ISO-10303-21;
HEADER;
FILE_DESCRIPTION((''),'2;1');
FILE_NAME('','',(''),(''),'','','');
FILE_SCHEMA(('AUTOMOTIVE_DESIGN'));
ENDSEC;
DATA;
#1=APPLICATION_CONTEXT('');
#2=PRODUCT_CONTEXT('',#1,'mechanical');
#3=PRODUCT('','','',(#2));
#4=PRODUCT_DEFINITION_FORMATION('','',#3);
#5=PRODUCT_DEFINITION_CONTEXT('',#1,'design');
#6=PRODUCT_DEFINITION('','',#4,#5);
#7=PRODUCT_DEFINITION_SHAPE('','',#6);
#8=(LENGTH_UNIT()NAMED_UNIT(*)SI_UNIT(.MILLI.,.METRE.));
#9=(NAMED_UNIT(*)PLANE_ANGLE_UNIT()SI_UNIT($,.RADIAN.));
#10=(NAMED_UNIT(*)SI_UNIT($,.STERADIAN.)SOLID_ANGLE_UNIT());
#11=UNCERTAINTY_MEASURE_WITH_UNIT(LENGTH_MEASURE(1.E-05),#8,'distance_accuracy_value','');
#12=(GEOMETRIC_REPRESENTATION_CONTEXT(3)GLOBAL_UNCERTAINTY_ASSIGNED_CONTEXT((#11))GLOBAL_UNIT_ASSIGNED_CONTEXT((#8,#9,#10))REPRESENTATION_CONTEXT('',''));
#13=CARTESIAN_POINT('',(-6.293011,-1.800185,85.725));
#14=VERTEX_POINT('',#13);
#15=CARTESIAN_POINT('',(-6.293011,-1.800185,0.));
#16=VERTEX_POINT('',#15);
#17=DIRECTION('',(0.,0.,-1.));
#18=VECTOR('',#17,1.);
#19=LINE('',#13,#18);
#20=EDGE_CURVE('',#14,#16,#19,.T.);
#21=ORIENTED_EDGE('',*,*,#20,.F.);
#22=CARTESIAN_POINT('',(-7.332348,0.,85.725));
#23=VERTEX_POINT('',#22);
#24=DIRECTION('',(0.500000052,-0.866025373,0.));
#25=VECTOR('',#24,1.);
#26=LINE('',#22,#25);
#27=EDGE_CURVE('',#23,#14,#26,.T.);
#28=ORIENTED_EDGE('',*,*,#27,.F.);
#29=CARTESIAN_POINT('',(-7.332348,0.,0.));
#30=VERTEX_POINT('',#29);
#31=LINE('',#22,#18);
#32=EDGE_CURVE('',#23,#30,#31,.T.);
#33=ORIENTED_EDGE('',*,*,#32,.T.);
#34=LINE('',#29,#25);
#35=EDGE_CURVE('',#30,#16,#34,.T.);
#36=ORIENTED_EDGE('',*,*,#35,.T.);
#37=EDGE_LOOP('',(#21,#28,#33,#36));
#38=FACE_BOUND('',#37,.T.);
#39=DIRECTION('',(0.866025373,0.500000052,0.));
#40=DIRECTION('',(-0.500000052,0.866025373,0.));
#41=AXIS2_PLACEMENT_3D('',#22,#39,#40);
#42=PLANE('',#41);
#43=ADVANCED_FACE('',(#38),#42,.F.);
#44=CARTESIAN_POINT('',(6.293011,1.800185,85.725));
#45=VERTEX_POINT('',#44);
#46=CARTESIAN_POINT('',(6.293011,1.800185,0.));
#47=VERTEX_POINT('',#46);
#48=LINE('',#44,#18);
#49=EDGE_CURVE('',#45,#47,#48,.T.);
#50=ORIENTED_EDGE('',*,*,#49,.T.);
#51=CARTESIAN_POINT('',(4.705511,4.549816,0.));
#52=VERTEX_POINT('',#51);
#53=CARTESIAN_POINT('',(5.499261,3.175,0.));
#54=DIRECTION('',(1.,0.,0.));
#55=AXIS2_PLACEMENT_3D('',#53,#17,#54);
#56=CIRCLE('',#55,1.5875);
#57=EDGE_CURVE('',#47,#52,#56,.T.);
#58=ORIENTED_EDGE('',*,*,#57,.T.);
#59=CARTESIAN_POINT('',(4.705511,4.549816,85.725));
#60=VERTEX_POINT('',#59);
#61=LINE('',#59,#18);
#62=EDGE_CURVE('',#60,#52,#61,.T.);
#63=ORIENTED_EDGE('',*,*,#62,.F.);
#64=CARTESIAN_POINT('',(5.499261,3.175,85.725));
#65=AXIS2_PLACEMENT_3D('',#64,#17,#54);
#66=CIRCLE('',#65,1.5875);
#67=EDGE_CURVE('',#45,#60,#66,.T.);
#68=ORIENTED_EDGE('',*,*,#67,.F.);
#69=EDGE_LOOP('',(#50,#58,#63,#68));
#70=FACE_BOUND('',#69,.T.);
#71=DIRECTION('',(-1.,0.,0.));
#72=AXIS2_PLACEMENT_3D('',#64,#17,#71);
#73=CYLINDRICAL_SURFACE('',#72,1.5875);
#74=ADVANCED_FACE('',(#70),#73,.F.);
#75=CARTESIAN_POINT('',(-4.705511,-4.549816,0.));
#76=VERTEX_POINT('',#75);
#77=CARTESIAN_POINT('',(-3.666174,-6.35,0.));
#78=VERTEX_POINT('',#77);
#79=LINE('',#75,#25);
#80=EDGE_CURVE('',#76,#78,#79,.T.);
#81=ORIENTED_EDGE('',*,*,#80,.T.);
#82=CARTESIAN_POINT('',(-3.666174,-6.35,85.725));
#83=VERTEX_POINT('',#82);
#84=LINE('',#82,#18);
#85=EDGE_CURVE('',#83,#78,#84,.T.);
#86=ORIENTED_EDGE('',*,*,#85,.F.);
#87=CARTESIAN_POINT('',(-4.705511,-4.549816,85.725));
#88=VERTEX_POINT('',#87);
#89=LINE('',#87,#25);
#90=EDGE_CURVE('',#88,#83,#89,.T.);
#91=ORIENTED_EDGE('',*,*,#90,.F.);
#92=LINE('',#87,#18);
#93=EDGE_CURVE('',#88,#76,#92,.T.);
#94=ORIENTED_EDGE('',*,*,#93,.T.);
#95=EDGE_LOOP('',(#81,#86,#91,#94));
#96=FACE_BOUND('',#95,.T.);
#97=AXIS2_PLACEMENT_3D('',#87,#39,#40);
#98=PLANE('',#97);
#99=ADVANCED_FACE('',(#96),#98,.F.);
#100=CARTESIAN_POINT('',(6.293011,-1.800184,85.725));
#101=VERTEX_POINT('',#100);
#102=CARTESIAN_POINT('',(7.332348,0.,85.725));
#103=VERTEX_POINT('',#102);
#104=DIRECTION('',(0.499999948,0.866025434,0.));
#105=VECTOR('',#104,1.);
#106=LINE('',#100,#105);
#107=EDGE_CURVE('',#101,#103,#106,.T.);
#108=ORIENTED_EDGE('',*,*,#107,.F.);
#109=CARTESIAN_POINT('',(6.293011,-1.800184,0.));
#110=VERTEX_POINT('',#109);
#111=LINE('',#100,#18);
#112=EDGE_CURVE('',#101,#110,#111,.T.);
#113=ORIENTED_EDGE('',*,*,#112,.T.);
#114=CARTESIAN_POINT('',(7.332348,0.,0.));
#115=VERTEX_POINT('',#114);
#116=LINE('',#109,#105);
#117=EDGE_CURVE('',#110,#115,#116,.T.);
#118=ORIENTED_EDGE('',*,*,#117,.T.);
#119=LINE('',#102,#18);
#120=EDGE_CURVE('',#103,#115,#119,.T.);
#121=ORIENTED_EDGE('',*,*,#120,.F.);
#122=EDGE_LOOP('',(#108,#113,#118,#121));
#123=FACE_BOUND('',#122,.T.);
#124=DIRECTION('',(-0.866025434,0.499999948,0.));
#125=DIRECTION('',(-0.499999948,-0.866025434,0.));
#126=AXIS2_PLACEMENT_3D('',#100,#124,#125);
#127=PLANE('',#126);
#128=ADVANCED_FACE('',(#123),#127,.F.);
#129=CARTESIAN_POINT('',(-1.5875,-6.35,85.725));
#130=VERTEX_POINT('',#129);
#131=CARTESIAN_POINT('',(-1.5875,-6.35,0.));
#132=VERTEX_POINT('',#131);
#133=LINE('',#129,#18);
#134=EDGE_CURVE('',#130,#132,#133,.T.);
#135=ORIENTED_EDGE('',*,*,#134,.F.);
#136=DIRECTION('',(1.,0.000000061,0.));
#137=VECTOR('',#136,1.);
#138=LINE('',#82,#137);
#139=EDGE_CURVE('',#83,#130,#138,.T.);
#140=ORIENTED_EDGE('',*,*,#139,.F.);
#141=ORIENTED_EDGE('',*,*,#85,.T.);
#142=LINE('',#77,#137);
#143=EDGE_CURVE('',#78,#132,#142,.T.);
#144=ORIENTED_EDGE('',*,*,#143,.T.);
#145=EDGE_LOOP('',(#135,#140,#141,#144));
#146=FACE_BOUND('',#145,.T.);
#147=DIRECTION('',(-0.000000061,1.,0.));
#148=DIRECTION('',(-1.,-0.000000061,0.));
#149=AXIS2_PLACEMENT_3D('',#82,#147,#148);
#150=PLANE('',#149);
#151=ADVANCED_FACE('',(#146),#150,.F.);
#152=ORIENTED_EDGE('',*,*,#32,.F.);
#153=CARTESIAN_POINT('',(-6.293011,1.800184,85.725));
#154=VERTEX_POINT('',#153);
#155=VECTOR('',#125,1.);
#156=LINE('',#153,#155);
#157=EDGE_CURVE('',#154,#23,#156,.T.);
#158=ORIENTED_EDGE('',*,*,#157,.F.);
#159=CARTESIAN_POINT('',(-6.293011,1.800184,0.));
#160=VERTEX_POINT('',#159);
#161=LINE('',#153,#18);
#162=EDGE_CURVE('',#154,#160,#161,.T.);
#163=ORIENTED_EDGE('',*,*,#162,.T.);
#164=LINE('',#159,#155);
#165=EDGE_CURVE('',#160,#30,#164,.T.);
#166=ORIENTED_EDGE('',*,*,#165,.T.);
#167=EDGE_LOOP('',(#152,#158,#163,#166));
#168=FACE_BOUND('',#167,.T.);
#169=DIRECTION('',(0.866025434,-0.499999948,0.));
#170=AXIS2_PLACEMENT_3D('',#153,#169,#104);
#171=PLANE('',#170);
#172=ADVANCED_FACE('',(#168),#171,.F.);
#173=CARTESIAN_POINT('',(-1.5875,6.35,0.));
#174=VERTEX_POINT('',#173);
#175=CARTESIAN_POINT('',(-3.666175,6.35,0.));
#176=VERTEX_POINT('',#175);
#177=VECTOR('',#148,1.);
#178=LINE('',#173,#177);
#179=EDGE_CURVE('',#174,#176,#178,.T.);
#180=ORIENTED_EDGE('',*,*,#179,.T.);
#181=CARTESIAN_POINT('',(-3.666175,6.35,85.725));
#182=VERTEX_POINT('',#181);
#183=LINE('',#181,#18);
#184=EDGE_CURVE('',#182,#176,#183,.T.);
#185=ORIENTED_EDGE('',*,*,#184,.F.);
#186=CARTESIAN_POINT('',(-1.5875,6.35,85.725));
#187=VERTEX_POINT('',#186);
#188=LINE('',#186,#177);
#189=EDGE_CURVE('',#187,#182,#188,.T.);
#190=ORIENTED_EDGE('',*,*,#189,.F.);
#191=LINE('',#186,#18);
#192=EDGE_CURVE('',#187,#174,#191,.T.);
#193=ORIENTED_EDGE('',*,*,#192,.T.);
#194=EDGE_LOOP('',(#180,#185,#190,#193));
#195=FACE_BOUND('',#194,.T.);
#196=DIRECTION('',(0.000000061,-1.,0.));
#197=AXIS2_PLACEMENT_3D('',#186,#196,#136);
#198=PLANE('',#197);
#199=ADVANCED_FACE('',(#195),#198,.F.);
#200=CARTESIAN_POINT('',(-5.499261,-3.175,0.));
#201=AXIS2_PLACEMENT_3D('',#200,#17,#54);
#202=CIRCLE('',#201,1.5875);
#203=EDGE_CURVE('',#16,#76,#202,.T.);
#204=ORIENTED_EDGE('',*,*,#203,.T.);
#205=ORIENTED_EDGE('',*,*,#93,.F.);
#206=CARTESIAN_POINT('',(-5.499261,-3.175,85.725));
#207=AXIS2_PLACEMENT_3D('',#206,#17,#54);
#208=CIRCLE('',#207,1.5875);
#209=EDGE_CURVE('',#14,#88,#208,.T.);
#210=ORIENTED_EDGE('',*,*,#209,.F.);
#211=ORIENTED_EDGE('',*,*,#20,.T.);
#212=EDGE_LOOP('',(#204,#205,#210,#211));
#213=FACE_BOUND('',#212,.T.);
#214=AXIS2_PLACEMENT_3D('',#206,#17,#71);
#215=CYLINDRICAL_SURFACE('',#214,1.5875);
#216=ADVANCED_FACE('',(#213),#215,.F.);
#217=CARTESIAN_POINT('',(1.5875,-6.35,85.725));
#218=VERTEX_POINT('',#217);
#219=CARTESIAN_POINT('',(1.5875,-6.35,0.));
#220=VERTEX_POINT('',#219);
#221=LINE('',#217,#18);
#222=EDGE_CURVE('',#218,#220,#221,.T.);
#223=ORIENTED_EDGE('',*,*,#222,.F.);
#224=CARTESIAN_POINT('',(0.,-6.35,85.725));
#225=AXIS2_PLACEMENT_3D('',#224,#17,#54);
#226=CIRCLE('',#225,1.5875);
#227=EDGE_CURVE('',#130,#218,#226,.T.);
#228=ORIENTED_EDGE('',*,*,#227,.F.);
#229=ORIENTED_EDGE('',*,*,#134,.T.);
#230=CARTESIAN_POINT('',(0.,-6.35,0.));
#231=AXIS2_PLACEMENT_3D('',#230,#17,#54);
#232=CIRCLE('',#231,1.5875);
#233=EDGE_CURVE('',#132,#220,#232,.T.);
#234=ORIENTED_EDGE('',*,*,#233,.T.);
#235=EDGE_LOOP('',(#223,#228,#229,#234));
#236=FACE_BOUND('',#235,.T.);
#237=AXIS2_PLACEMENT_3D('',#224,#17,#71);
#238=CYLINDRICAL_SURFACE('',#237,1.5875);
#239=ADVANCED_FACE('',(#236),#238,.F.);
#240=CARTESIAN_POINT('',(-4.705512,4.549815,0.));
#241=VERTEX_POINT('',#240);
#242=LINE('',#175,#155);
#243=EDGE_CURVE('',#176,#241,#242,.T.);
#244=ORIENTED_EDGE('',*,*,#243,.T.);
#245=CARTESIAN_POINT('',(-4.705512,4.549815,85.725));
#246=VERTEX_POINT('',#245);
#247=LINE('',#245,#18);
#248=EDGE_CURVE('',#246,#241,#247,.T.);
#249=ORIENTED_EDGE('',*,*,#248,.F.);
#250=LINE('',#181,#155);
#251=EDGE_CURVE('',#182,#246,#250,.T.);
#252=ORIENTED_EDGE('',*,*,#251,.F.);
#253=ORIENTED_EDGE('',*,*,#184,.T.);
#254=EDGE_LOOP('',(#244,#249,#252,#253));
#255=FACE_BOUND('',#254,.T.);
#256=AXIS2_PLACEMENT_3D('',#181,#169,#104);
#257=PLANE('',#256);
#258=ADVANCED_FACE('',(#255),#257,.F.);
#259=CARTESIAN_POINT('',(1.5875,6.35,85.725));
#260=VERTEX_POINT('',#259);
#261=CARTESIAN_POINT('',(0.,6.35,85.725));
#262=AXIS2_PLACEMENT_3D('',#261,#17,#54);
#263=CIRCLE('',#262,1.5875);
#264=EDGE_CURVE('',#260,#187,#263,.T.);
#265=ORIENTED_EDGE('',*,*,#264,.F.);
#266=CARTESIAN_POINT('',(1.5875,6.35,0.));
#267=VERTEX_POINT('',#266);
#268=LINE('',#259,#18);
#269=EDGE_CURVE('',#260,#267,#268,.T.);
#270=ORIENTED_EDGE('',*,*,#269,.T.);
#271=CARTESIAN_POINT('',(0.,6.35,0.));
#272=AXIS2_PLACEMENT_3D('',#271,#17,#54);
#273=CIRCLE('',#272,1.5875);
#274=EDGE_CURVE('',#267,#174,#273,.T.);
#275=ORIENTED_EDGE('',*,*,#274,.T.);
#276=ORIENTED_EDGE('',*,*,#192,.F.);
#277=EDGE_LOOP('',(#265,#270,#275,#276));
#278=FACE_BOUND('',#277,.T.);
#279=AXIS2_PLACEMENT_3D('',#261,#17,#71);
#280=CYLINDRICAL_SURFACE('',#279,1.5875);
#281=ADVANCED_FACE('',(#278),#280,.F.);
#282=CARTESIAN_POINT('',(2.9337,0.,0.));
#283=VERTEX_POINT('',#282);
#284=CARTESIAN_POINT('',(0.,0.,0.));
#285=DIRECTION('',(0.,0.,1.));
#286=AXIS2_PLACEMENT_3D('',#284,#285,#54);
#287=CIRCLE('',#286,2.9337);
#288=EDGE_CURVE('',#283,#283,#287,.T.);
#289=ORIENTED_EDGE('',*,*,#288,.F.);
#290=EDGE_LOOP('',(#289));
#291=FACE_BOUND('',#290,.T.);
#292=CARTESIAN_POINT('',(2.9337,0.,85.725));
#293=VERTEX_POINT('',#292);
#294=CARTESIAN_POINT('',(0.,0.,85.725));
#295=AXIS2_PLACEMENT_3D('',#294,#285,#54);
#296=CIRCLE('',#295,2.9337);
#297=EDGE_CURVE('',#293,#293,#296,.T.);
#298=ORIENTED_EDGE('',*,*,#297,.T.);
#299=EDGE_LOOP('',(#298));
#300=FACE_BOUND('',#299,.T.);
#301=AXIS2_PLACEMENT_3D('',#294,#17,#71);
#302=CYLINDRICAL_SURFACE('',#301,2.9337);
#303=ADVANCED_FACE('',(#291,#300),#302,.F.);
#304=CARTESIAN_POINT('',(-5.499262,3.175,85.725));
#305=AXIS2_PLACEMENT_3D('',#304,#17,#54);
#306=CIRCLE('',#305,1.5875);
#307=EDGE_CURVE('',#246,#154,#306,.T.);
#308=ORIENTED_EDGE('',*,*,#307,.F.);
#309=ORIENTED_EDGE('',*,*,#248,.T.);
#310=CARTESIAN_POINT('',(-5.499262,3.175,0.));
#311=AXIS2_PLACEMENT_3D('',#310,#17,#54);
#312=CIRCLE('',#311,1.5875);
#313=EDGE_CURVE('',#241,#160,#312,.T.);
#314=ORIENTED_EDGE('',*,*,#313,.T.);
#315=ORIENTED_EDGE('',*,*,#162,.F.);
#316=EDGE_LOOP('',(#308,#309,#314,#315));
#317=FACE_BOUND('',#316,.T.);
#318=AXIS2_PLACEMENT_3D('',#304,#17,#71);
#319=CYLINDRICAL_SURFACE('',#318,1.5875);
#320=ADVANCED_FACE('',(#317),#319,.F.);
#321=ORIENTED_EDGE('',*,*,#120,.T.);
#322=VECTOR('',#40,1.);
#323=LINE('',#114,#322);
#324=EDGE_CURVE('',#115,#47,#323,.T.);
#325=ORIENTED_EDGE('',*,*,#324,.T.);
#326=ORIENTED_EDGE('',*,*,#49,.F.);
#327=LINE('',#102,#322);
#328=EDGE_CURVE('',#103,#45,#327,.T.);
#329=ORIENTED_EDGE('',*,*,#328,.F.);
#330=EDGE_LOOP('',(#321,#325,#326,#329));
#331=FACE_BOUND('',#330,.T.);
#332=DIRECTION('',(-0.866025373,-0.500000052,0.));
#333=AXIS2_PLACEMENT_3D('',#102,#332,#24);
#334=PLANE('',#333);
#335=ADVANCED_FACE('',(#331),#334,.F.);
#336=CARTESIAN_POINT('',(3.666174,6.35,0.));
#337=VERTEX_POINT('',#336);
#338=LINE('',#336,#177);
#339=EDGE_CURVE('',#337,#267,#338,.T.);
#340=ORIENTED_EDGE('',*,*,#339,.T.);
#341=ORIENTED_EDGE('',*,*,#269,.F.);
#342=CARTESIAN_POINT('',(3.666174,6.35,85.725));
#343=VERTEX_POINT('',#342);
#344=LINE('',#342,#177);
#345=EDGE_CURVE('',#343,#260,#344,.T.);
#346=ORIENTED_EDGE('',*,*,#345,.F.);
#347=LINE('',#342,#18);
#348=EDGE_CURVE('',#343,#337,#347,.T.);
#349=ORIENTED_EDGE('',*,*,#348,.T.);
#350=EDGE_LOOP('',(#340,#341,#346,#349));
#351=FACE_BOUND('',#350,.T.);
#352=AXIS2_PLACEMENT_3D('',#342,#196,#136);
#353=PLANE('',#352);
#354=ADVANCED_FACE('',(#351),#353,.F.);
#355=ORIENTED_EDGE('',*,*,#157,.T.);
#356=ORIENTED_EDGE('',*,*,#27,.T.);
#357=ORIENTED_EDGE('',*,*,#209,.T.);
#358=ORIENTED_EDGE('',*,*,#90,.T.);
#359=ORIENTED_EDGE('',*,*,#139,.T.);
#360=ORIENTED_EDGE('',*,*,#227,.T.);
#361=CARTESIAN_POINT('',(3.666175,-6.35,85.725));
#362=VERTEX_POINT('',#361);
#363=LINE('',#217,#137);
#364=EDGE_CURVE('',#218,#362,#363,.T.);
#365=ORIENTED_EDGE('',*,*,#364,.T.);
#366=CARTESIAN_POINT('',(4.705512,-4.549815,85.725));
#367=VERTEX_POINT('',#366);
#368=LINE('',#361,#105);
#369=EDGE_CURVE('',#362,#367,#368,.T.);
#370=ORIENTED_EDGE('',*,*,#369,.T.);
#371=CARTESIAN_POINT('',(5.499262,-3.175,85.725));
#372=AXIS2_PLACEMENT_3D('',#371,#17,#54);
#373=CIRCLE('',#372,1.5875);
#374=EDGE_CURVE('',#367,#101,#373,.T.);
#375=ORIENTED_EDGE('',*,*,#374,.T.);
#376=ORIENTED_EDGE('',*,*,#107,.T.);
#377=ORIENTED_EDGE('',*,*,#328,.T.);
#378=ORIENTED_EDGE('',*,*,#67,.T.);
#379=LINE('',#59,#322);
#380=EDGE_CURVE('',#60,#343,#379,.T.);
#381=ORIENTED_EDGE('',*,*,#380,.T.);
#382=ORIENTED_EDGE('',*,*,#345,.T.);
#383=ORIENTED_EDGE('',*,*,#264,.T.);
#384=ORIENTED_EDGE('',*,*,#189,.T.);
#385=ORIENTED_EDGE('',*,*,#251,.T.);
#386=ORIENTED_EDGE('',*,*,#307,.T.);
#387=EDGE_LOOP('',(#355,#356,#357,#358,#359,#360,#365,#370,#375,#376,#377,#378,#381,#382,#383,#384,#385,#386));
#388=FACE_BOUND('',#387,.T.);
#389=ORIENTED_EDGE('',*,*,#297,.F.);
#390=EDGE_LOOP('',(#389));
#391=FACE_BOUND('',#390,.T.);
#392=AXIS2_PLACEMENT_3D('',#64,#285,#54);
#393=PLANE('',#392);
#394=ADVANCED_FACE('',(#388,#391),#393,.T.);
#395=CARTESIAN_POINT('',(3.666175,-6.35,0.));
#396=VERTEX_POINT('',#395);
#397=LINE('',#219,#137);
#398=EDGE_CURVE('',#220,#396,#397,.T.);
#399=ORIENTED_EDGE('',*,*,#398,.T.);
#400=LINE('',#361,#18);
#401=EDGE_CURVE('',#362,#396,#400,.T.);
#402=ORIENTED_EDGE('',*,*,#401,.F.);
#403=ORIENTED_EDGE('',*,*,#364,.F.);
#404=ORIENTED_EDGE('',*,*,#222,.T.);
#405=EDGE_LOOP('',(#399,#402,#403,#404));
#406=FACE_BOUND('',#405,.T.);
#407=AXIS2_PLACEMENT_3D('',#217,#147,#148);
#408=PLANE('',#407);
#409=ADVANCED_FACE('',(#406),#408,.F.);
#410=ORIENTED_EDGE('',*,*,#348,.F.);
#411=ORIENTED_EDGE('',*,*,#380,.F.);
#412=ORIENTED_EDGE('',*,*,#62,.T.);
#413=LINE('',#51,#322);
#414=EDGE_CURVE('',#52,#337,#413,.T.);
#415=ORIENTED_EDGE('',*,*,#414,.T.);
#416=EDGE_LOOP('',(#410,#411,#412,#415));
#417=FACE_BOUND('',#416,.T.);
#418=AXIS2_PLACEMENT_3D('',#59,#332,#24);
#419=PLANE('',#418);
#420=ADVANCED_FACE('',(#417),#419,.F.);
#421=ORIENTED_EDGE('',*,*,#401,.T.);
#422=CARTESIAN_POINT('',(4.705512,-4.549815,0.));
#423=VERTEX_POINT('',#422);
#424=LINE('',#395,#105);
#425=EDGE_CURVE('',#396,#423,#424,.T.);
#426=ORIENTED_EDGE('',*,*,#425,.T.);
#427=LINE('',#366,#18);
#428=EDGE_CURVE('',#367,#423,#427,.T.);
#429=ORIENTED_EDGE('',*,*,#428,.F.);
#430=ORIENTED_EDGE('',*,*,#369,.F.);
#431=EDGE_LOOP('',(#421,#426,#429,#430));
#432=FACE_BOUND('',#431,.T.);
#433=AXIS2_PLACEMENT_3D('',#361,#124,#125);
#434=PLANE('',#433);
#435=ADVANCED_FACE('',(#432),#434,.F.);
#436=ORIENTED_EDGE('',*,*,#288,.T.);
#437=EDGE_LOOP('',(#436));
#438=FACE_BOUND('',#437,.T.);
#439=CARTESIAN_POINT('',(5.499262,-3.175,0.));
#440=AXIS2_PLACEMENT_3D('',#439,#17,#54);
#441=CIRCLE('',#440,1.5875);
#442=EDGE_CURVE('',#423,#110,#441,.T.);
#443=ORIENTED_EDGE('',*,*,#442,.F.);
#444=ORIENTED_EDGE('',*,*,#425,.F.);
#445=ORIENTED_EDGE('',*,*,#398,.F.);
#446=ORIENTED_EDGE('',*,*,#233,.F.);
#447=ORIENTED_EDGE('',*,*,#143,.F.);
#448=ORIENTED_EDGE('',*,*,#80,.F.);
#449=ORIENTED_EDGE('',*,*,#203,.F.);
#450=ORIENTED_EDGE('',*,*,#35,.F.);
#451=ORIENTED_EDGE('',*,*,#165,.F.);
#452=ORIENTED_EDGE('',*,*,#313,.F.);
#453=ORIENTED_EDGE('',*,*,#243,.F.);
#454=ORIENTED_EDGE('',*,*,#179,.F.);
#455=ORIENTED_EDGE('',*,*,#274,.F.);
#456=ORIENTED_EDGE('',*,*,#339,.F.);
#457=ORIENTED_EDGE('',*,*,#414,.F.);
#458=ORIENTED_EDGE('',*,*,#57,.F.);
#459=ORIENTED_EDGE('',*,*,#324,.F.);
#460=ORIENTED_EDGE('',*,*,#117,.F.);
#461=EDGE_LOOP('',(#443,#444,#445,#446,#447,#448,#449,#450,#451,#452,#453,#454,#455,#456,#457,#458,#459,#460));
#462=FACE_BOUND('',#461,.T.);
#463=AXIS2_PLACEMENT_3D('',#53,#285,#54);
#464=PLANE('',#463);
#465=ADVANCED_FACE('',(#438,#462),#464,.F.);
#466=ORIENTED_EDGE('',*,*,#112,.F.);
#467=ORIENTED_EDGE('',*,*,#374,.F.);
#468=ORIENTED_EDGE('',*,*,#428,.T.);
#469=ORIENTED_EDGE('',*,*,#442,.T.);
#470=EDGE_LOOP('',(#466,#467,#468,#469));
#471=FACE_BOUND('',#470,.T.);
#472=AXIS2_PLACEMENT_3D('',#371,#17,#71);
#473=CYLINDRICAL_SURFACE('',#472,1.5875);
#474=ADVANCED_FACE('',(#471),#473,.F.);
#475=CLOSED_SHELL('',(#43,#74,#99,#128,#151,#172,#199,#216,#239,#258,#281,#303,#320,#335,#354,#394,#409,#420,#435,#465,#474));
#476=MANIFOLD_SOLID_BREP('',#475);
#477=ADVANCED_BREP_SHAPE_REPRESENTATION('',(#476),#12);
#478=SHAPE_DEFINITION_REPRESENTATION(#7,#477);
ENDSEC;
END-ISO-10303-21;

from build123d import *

# Parameters (mm, degrees)
SKETCH1_R           = 2.9337
BOSS_EXTRUDE1_DEPTH = 85.725


with BuildPart() as part:
    # Sketch1 → Boss-Extrude1 (new body)
    with BuildSketch(Plane.XY):
        with BuildLine():
            Line((-1.587500385, 6.349999904), (-3.666174594, 6.349999778))
            Line((-3.666174594, 6.349999778), (-4.70551159, 4.549815043))
            ThreePointArc((-4.70551159, 4.549815043), (-4.12444613, 2.38124975), (-6.293011423, 1.80018429))
            Line((-6.293011423, 1.80018429), (-7.332348419, -4.44e-07))
            Line((-7.332348419, -4.44e-07), (-6.293011205, -1.800185053))
            ThreePointArc((-6.293011205, -1.800185053), (-4.124445841, -2.38125025), (-4.705511038, -4.549815614))
            Line((-4.705511038, -4.549815614), (-3.666173825, -6.350000222))
            Line((-3.666173825, -6.350000222), (-1.587499615, -6.350000096))
            ThreePointArc((-1.587499615, -6.350000096), (2.89e-07, -4.7625), (1.587500385, -6.349999904))
            Line((1.587500385, -6.349999904), (3.666174594, -6.349999778))
            Line((3.666174594, -6.349999778), (4.70551159, -4.549815043))
            ThreePointArc((4.70551159, -4.549815043), (4.12444613, -2.38124975), (6.293011423, -1.80018429))
            Line((6.293011423, -1.80018429), (7.332348419, 4.44e-07))
            Line((7.332348419, 4.44e-07), (6.293011205, 1.800185053))
            ThreePointArc((6.293011205, 1.800185053), (4.124445841, 2.38125025), (4.705511038, 4.549815614))
            Line((4.705511038, 4.549815614), (3.666173825, 6.350000222))
            Line((3.666173825, 6.350000222), (1.587499615, 6.350000096))
            ThreePointArc((1.587499615, 6.350000096), (-2.89e-07, 4.7625), (-1.587500385, 6.349999904))
        make_face()
        Circle(SKETCH1_R, mode=Mode.SUBTRACT)
    extrude(amount=BOSS_EXTRUDE1_DEPTH)


solid = part.part
